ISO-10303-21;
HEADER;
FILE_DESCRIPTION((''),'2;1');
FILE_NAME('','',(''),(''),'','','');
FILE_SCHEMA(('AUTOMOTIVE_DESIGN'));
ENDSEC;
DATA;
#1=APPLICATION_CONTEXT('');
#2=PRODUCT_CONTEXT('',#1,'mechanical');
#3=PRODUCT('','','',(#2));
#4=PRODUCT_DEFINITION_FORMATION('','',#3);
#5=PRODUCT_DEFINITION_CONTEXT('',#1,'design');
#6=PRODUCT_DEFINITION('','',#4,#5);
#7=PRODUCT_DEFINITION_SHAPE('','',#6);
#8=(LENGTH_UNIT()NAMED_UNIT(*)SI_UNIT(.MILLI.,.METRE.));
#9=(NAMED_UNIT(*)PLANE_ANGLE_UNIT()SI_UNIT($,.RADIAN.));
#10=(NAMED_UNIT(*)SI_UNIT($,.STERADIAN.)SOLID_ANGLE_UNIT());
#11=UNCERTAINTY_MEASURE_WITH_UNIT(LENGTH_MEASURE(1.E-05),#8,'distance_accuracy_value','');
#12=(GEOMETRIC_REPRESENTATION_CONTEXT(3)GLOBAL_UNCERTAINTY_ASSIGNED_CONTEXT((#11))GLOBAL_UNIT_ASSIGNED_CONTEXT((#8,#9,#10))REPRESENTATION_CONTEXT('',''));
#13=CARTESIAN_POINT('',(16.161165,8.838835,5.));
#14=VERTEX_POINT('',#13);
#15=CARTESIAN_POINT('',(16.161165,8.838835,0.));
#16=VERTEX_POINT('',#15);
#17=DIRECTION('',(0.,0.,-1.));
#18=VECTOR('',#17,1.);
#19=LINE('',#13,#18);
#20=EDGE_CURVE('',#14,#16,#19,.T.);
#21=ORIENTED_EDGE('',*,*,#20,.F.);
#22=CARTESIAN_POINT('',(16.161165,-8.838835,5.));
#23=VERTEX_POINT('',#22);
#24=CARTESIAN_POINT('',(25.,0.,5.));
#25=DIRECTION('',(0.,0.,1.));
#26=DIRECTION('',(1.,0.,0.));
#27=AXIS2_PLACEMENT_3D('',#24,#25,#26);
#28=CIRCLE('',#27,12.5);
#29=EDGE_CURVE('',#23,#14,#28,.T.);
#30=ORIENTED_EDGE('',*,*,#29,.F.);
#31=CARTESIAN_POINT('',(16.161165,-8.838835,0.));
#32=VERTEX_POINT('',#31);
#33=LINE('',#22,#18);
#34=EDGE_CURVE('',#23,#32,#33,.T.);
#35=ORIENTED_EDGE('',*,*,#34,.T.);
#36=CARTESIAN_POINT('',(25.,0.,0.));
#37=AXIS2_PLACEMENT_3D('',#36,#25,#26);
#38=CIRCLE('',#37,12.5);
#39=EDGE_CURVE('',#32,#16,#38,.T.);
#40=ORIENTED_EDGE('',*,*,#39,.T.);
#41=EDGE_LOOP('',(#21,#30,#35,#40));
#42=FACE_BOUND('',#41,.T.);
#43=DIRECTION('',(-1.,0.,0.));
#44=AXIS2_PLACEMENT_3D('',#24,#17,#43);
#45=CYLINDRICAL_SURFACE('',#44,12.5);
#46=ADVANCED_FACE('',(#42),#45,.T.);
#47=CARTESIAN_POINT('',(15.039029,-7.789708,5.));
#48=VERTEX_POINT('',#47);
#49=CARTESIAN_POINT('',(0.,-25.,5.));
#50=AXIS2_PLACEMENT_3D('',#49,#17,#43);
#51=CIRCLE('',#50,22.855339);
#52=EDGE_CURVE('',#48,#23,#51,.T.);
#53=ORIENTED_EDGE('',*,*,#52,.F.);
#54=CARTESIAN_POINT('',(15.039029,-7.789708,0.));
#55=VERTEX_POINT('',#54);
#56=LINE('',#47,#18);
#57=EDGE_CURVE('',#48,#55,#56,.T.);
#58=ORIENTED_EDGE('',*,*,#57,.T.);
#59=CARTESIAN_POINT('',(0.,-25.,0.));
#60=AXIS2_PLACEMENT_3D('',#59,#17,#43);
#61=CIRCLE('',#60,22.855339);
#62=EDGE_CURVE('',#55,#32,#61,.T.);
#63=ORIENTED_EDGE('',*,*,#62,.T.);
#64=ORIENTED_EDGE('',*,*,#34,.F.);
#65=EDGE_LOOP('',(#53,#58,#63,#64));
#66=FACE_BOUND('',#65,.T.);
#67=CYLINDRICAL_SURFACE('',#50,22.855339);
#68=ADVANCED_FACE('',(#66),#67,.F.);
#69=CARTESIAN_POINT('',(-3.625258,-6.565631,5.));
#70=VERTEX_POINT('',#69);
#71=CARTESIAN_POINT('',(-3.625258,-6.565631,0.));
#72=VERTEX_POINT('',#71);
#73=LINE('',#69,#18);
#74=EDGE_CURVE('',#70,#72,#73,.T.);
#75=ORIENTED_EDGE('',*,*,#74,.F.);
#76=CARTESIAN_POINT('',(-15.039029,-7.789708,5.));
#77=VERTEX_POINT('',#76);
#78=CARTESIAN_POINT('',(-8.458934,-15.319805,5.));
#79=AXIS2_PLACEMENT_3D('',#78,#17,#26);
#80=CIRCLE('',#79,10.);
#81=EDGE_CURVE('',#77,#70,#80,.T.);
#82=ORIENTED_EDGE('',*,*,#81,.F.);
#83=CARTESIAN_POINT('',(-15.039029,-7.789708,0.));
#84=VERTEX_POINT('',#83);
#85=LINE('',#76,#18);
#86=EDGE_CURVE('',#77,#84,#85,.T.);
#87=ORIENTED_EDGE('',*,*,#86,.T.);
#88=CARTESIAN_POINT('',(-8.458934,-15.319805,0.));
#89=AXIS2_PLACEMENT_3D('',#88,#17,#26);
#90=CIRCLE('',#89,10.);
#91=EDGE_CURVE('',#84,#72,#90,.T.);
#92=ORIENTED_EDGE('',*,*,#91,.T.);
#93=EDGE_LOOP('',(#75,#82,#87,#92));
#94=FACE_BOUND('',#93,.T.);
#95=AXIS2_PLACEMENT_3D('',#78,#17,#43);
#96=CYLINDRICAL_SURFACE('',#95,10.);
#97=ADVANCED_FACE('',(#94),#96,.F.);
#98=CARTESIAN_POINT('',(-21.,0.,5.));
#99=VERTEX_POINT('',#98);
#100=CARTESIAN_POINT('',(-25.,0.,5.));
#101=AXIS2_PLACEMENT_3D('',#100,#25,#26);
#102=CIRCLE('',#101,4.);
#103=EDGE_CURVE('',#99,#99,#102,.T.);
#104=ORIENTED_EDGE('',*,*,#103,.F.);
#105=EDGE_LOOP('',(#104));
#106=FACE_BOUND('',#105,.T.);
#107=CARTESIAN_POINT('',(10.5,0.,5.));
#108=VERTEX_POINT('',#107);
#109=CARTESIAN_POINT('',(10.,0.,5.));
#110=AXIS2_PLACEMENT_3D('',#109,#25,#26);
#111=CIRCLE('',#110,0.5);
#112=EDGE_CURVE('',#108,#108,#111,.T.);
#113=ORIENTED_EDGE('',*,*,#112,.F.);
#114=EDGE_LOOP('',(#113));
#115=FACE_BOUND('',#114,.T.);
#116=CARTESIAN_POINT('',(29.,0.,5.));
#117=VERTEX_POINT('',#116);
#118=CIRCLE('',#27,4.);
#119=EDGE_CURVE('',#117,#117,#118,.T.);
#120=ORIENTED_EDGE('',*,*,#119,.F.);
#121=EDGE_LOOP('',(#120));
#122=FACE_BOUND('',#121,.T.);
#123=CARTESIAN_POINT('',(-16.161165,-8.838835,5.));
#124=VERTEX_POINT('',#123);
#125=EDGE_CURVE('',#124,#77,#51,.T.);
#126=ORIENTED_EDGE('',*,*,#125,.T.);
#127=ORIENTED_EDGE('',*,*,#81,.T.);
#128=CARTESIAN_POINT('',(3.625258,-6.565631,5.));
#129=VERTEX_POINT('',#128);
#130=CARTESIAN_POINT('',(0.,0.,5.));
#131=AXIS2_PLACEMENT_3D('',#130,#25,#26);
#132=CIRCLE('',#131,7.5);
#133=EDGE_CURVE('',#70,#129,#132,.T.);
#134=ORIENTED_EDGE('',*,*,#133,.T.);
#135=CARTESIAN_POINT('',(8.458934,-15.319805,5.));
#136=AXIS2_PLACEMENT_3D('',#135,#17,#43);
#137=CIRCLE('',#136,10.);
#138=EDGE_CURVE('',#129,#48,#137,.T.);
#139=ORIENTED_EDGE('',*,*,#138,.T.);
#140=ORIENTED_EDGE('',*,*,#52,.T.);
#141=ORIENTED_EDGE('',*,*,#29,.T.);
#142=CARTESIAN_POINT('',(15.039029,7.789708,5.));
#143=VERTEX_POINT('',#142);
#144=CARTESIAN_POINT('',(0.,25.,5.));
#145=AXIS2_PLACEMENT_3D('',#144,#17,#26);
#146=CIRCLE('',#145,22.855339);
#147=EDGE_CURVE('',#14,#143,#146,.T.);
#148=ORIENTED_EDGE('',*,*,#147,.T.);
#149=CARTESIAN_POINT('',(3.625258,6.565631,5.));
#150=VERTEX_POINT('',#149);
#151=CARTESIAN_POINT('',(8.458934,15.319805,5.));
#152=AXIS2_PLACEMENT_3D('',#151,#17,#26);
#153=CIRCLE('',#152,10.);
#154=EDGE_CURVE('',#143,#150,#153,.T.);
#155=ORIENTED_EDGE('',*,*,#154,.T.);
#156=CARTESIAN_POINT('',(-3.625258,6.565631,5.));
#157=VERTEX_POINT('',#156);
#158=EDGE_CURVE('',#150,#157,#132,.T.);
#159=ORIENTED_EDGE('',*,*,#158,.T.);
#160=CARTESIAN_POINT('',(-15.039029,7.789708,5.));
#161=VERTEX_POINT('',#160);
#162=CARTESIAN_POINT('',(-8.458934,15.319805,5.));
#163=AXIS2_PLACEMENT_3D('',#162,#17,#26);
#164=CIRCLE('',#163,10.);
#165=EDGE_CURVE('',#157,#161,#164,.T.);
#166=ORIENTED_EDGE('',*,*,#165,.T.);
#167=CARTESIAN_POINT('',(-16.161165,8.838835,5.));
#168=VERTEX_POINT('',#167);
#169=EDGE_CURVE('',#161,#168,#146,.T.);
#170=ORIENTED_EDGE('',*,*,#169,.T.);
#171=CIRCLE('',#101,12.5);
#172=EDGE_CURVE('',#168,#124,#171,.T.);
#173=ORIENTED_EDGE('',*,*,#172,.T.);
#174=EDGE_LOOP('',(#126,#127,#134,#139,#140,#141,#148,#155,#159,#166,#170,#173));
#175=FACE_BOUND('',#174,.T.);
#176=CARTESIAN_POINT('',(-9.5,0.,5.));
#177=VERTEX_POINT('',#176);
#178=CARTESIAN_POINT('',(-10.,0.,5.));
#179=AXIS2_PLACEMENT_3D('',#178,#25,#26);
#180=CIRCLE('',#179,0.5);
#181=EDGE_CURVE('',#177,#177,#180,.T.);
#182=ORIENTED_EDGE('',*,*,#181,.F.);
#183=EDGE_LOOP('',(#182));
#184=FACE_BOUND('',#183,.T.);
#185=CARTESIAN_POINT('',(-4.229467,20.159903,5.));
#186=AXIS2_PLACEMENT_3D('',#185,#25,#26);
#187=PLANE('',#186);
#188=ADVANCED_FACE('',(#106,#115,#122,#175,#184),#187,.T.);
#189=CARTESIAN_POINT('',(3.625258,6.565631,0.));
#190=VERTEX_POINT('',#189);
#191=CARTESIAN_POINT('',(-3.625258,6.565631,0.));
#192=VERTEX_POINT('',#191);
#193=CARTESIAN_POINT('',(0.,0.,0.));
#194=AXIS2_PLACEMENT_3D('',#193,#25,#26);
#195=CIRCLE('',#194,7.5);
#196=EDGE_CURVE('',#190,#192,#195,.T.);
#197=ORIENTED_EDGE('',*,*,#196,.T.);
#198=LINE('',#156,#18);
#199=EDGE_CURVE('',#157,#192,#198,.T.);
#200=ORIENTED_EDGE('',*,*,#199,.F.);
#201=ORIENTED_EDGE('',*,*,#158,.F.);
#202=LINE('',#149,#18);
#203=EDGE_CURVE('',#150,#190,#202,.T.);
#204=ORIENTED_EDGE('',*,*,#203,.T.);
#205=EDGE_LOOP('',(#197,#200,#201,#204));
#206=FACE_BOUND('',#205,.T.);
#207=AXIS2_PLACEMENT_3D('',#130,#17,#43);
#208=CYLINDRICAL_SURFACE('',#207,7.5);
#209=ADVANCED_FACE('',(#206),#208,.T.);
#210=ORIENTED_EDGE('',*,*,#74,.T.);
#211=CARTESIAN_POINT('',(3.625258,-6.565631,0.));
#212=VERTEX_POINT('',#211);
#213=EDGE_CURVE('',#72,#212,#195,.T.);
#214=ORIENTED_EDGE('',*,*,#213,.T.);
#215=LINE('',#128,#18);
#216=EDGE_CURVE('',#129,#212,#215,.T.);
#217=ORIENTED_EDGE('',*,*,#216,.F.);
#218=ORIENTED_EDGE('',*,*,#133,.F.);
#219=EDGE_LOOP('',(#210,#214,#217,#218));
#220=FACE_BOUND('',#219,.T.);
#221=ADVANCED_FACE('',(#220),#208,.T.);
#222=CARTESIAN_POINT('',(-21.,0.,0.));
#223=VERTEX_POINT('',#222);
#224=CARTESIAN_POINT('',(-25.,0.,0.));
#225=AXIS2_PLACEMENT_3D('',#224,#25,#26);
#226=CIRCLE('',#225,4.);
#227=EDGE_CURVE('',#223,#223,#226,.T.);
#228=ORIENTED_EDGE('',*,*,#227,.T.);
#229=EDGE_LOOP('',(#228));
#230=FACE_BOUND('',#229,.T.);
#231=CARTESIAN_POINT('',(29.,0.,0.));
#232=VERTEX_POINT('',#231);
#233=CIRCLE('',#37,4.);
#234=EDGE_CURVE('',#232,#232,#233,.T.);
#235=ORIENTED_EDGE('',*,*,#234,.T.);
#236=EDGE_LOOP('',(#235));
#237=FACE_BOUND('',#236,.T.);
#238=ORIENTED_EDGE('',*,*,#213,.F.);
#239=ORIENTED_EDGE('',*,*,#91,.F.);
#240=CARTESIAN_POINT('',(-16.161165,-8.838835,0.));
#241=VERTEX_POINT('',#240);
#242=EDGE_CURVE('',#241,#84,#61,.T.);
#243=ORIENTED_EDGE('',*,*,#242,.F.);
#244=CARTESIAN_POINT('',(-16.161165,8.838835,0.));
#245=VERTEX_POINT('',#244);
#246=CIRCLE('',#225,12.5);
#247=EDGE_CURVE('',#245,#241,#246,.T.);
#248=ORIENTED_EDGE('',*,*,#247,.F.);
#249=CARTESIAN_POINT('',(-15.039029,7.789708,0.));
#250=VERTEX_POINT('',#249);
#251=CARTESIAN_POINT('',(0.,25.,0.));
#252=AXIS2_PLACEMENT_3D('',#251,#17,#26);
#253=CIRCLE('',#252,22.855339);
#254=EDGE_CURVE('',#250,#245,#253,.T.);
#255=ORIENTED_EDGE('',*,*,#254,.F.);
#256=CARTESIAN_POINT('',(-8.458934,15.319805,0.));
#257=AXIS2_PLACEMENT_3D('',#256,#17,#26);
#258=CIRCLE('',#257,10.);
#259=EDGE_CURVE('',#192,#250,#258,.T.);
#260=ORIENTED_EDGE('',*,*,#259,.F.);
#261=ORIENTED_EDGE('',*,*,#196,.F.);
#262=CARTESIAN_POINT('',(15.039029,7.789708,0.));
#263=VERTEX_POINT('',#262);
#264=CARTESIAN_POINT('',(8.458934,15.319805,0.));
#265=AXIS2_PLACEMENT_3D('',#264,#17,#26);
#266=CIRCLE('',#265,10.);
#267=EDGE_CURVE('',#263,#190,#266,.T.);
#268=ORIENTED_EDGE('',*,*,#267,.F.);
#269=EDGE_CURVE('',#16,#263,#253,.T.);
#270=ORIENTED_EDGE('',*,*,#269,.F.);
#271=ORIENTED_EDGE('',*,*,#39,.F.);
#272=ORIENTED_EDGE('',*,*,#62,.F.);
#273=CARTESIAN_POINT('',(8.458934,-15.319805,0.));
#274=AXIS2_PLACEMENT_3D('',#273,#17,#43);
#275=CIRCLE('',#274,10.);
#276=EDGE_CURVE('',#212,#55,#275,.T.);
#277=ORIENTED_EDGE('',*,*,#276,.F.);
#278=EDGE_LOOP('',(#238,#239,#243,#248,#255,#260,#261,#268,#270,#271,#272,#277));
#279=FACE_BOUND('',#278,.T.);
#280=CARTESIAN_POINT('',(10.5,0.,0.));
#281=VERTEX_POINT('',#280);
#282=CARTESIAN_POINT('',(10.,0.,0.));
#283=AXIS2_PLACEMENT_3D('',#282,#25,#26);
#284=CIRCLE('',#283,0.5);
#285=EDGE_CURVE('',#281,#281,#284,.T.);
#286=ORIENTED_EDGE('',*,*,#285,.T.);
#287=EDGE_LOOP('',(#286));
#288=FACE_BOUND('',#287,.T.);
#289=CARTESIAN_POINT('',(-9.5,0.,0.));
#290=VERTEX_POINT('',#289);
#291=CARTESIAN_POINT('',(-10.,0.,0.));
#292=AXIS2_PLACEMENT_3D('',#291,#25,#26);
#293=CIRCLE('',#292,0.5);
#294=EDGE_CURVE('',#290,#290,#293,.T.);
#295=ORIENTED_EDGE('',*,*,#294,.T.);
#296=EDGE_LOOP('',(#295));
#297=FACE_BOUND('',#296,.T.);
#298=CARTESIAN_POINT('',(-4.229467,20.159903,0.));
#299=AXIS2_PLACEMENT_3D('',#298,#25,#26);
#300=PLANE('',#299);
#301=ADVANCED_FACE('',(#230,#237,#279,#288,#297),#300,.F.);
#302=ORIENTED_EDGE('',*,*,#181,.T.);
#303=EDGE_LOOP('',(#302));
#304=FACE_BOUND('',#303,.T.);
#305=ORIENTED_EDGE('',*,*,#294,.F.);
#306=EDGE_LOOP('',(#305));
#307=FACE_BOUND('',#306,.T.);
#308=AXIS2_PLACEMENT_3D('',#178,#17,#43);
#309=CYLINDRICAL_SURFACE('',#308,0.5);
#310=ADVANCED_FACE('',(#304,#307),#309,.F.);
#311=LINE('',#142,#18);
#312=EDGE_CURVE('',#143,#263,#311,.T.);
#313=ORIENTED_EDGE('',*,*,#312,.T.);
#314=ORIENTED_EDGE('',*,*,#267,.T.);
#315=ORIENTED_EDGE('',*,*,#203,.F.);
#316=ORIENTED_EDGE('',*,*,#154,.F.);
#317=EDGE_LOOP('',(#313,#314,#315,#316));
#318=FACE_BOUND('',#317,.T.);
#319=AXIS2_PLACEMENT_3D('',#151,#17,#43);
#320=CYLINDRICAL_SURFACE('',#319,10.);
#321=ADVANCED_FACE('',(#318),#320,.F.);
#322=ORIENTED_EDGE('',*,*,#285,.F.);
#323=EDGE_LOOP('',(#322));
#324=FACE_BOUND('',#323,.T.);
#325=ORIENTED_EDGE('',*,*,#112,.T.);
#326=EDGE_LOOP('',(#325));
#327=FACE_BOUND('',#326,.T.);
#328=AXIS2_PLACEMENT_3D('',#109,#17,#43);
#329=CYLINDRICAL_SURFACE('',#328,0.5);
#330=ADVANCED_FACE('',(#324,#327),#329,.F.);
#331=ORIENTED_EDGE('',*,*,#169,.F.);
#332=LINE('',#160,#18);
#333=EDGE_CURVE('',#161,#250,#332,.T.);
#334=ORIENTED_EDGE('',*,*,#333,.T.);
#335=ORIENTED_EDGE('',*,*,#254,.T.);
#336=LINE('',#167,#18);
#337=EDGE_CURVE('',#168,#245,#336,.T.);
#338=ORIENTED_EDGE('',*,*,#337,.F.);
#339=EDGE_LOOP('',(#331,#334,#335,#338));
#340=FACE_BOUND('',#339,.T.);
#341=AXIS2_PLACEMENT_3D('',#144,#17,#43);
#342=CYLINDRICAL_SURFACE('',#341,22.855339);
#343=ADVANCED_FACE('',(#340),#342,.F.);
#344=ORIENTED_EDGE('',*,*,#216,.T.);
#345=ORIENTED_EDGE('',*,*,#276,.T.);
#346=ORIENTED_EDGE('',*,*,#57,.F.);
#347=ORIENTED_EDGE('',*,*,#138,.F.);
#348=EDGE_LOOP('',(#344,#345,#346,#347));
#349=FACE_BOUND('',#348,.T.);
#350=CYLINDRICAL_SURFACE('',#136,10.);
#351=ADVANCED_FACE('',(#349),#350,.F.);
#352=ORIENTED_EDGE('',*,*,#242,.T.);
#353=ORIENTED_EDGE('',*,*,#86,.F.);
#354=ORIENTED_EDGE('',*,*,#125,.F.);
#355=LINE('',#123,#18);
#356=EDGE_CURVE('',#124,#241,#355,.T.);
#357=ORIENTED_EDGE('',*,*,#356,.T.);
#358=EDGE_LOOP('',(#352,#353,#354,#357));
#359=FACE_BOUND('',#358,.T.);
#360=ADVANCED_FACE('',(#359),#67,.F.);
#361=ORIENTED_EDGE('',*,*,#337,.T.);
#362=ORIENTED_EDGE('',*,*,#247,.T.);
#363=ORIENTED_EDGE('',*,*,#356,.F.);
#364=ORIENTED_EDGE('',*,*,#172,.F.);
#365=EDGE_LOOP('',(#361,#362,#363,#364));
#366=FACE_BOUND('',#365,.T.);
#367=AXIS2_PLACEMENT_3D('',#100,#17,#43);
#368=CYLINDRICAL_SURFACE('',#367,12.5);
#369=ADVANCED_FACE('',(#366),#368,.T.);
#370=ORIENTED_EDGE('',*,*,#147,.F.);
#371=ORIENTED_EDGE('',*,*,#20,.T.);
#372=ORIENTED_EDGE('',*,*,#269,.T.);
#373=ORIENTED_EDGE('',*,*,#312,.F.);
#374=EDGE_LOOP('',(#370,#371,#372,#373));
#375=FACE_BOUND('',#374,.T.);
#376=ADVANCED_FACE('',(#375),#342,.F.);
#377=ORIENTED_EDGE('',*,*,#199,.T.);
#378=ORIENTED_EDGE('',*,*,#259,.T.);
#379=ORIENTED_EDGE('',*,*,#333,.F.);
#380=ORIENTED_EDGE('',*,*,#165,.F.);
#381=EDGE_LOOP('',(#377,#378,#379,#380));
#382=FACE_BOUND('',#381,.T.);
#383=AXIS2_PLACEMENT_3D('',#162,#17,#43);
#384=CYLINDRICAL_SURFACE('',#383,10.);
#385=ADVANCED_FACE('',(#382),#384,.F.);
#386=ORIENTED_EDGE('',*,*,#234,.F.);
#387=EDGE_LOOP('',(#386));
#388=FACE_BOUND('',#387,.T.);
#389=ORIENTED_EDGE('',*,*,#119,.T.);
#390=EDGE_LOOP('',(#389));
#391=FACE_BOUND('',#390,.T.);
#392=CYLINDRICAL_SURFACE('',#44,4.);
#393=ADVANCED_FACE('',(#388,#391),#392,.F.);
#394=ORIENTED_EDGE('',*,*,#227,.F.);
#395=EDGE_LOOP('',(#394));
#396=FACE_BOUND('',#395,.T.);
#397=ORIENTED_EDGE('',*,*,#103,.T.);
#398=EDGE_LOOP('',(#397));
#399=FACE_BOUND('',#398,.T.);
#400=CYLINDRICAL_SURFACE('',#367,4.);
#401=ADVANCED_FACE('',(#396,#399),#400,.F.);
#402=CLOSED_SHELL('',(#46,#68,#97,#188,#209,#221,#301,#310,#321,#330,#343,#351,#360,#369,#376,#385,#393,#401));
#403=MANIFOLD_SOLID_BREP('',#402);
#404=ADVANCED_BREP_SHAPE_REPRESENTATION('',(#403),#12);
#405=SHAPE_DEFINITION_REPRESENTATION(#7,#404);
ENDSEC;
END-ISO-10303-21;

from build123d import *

# Parameters (mm, degrees)
SKETCH_1_R      = 4
SKETCH_1_R_2    = 0.5
EXTRUDE_1_DEPTH = 5


with BuildPart() as part:
    # 草圖1 → 填料-伸長1 (new body)
    with BuildSketch(Plane.XY):
        with BuildLine():
            ThreePointArc((-16.161165235, 8.838834765), (-37.5, 0), (-16.161165235, -8.838834765))
            ThreePointArc((-16.161165235, -8.838834765), (-15.608913833, -8.304841047), (-15.039028639, -7.789708279))
            ThreePointArc((-15.039028639, -7.789708279), (-9.525276207, -5.376821949), (-3.625257572, -6.56563078))
            ThreePointArc((-3.625257572, -6.56563078), (0, -7.5), (3.625257572, -6.56563078))
            ThreePointArc((3.625257572, -6.56563078), (9.525276207, -5.376821949), (15.039028639, -7.789708279))
            ThreePointArc((15.039028639, -7.789708279), (15.608913833, -8.304841047), (16.161165235, -8.838834765))
            ThreePointArc((16.161165235, -8.838834765), (37.5, 0), (16.161165235, 8.838834765))
            ThreePointArc((16.161165235, 8.838834765), (15.608913833, 8.304841047), (15.039028639, 7.789708279))
            ThreePointArc((15.039028639, 7.789708279), (9.525276207, 5.376821949), (3.625257572, 6.56563078))
            ThreePointArc((3.625257572, 6.56563078), (0, 7.5), (-3.625257572, 6.56563078))
            ThreePointArc((-3.625257572, 6.56563078), (-9.525276207, 5.376821949), (-15.039028639, 7.789708279))
            ThreePointArc((-15.039028639, 7.789708279), (-15.608913833, 8.304841047), (-16.161165235, 8.838834765))
        make_face()
        with Locations((-25, 0)):
            Circle(SKETCH_1_R, mode=Mode.SUBTRACT)
        with Locations((25, 0)):
            Circle(SKETCH_1_R, mode=Mode.SUBTRACT)
        with Locations((-10, 0)):
            Circle(SKETCH_1_R_2, mode=Mode.SUBTRACT)
        with Locations((10, 0)):
            Circle(SKETCH_1_R_2, mode=Mode.SUBTRACT)
    extrude(amount=EXTRUDE_1_DEPTH)


solid = part.part
